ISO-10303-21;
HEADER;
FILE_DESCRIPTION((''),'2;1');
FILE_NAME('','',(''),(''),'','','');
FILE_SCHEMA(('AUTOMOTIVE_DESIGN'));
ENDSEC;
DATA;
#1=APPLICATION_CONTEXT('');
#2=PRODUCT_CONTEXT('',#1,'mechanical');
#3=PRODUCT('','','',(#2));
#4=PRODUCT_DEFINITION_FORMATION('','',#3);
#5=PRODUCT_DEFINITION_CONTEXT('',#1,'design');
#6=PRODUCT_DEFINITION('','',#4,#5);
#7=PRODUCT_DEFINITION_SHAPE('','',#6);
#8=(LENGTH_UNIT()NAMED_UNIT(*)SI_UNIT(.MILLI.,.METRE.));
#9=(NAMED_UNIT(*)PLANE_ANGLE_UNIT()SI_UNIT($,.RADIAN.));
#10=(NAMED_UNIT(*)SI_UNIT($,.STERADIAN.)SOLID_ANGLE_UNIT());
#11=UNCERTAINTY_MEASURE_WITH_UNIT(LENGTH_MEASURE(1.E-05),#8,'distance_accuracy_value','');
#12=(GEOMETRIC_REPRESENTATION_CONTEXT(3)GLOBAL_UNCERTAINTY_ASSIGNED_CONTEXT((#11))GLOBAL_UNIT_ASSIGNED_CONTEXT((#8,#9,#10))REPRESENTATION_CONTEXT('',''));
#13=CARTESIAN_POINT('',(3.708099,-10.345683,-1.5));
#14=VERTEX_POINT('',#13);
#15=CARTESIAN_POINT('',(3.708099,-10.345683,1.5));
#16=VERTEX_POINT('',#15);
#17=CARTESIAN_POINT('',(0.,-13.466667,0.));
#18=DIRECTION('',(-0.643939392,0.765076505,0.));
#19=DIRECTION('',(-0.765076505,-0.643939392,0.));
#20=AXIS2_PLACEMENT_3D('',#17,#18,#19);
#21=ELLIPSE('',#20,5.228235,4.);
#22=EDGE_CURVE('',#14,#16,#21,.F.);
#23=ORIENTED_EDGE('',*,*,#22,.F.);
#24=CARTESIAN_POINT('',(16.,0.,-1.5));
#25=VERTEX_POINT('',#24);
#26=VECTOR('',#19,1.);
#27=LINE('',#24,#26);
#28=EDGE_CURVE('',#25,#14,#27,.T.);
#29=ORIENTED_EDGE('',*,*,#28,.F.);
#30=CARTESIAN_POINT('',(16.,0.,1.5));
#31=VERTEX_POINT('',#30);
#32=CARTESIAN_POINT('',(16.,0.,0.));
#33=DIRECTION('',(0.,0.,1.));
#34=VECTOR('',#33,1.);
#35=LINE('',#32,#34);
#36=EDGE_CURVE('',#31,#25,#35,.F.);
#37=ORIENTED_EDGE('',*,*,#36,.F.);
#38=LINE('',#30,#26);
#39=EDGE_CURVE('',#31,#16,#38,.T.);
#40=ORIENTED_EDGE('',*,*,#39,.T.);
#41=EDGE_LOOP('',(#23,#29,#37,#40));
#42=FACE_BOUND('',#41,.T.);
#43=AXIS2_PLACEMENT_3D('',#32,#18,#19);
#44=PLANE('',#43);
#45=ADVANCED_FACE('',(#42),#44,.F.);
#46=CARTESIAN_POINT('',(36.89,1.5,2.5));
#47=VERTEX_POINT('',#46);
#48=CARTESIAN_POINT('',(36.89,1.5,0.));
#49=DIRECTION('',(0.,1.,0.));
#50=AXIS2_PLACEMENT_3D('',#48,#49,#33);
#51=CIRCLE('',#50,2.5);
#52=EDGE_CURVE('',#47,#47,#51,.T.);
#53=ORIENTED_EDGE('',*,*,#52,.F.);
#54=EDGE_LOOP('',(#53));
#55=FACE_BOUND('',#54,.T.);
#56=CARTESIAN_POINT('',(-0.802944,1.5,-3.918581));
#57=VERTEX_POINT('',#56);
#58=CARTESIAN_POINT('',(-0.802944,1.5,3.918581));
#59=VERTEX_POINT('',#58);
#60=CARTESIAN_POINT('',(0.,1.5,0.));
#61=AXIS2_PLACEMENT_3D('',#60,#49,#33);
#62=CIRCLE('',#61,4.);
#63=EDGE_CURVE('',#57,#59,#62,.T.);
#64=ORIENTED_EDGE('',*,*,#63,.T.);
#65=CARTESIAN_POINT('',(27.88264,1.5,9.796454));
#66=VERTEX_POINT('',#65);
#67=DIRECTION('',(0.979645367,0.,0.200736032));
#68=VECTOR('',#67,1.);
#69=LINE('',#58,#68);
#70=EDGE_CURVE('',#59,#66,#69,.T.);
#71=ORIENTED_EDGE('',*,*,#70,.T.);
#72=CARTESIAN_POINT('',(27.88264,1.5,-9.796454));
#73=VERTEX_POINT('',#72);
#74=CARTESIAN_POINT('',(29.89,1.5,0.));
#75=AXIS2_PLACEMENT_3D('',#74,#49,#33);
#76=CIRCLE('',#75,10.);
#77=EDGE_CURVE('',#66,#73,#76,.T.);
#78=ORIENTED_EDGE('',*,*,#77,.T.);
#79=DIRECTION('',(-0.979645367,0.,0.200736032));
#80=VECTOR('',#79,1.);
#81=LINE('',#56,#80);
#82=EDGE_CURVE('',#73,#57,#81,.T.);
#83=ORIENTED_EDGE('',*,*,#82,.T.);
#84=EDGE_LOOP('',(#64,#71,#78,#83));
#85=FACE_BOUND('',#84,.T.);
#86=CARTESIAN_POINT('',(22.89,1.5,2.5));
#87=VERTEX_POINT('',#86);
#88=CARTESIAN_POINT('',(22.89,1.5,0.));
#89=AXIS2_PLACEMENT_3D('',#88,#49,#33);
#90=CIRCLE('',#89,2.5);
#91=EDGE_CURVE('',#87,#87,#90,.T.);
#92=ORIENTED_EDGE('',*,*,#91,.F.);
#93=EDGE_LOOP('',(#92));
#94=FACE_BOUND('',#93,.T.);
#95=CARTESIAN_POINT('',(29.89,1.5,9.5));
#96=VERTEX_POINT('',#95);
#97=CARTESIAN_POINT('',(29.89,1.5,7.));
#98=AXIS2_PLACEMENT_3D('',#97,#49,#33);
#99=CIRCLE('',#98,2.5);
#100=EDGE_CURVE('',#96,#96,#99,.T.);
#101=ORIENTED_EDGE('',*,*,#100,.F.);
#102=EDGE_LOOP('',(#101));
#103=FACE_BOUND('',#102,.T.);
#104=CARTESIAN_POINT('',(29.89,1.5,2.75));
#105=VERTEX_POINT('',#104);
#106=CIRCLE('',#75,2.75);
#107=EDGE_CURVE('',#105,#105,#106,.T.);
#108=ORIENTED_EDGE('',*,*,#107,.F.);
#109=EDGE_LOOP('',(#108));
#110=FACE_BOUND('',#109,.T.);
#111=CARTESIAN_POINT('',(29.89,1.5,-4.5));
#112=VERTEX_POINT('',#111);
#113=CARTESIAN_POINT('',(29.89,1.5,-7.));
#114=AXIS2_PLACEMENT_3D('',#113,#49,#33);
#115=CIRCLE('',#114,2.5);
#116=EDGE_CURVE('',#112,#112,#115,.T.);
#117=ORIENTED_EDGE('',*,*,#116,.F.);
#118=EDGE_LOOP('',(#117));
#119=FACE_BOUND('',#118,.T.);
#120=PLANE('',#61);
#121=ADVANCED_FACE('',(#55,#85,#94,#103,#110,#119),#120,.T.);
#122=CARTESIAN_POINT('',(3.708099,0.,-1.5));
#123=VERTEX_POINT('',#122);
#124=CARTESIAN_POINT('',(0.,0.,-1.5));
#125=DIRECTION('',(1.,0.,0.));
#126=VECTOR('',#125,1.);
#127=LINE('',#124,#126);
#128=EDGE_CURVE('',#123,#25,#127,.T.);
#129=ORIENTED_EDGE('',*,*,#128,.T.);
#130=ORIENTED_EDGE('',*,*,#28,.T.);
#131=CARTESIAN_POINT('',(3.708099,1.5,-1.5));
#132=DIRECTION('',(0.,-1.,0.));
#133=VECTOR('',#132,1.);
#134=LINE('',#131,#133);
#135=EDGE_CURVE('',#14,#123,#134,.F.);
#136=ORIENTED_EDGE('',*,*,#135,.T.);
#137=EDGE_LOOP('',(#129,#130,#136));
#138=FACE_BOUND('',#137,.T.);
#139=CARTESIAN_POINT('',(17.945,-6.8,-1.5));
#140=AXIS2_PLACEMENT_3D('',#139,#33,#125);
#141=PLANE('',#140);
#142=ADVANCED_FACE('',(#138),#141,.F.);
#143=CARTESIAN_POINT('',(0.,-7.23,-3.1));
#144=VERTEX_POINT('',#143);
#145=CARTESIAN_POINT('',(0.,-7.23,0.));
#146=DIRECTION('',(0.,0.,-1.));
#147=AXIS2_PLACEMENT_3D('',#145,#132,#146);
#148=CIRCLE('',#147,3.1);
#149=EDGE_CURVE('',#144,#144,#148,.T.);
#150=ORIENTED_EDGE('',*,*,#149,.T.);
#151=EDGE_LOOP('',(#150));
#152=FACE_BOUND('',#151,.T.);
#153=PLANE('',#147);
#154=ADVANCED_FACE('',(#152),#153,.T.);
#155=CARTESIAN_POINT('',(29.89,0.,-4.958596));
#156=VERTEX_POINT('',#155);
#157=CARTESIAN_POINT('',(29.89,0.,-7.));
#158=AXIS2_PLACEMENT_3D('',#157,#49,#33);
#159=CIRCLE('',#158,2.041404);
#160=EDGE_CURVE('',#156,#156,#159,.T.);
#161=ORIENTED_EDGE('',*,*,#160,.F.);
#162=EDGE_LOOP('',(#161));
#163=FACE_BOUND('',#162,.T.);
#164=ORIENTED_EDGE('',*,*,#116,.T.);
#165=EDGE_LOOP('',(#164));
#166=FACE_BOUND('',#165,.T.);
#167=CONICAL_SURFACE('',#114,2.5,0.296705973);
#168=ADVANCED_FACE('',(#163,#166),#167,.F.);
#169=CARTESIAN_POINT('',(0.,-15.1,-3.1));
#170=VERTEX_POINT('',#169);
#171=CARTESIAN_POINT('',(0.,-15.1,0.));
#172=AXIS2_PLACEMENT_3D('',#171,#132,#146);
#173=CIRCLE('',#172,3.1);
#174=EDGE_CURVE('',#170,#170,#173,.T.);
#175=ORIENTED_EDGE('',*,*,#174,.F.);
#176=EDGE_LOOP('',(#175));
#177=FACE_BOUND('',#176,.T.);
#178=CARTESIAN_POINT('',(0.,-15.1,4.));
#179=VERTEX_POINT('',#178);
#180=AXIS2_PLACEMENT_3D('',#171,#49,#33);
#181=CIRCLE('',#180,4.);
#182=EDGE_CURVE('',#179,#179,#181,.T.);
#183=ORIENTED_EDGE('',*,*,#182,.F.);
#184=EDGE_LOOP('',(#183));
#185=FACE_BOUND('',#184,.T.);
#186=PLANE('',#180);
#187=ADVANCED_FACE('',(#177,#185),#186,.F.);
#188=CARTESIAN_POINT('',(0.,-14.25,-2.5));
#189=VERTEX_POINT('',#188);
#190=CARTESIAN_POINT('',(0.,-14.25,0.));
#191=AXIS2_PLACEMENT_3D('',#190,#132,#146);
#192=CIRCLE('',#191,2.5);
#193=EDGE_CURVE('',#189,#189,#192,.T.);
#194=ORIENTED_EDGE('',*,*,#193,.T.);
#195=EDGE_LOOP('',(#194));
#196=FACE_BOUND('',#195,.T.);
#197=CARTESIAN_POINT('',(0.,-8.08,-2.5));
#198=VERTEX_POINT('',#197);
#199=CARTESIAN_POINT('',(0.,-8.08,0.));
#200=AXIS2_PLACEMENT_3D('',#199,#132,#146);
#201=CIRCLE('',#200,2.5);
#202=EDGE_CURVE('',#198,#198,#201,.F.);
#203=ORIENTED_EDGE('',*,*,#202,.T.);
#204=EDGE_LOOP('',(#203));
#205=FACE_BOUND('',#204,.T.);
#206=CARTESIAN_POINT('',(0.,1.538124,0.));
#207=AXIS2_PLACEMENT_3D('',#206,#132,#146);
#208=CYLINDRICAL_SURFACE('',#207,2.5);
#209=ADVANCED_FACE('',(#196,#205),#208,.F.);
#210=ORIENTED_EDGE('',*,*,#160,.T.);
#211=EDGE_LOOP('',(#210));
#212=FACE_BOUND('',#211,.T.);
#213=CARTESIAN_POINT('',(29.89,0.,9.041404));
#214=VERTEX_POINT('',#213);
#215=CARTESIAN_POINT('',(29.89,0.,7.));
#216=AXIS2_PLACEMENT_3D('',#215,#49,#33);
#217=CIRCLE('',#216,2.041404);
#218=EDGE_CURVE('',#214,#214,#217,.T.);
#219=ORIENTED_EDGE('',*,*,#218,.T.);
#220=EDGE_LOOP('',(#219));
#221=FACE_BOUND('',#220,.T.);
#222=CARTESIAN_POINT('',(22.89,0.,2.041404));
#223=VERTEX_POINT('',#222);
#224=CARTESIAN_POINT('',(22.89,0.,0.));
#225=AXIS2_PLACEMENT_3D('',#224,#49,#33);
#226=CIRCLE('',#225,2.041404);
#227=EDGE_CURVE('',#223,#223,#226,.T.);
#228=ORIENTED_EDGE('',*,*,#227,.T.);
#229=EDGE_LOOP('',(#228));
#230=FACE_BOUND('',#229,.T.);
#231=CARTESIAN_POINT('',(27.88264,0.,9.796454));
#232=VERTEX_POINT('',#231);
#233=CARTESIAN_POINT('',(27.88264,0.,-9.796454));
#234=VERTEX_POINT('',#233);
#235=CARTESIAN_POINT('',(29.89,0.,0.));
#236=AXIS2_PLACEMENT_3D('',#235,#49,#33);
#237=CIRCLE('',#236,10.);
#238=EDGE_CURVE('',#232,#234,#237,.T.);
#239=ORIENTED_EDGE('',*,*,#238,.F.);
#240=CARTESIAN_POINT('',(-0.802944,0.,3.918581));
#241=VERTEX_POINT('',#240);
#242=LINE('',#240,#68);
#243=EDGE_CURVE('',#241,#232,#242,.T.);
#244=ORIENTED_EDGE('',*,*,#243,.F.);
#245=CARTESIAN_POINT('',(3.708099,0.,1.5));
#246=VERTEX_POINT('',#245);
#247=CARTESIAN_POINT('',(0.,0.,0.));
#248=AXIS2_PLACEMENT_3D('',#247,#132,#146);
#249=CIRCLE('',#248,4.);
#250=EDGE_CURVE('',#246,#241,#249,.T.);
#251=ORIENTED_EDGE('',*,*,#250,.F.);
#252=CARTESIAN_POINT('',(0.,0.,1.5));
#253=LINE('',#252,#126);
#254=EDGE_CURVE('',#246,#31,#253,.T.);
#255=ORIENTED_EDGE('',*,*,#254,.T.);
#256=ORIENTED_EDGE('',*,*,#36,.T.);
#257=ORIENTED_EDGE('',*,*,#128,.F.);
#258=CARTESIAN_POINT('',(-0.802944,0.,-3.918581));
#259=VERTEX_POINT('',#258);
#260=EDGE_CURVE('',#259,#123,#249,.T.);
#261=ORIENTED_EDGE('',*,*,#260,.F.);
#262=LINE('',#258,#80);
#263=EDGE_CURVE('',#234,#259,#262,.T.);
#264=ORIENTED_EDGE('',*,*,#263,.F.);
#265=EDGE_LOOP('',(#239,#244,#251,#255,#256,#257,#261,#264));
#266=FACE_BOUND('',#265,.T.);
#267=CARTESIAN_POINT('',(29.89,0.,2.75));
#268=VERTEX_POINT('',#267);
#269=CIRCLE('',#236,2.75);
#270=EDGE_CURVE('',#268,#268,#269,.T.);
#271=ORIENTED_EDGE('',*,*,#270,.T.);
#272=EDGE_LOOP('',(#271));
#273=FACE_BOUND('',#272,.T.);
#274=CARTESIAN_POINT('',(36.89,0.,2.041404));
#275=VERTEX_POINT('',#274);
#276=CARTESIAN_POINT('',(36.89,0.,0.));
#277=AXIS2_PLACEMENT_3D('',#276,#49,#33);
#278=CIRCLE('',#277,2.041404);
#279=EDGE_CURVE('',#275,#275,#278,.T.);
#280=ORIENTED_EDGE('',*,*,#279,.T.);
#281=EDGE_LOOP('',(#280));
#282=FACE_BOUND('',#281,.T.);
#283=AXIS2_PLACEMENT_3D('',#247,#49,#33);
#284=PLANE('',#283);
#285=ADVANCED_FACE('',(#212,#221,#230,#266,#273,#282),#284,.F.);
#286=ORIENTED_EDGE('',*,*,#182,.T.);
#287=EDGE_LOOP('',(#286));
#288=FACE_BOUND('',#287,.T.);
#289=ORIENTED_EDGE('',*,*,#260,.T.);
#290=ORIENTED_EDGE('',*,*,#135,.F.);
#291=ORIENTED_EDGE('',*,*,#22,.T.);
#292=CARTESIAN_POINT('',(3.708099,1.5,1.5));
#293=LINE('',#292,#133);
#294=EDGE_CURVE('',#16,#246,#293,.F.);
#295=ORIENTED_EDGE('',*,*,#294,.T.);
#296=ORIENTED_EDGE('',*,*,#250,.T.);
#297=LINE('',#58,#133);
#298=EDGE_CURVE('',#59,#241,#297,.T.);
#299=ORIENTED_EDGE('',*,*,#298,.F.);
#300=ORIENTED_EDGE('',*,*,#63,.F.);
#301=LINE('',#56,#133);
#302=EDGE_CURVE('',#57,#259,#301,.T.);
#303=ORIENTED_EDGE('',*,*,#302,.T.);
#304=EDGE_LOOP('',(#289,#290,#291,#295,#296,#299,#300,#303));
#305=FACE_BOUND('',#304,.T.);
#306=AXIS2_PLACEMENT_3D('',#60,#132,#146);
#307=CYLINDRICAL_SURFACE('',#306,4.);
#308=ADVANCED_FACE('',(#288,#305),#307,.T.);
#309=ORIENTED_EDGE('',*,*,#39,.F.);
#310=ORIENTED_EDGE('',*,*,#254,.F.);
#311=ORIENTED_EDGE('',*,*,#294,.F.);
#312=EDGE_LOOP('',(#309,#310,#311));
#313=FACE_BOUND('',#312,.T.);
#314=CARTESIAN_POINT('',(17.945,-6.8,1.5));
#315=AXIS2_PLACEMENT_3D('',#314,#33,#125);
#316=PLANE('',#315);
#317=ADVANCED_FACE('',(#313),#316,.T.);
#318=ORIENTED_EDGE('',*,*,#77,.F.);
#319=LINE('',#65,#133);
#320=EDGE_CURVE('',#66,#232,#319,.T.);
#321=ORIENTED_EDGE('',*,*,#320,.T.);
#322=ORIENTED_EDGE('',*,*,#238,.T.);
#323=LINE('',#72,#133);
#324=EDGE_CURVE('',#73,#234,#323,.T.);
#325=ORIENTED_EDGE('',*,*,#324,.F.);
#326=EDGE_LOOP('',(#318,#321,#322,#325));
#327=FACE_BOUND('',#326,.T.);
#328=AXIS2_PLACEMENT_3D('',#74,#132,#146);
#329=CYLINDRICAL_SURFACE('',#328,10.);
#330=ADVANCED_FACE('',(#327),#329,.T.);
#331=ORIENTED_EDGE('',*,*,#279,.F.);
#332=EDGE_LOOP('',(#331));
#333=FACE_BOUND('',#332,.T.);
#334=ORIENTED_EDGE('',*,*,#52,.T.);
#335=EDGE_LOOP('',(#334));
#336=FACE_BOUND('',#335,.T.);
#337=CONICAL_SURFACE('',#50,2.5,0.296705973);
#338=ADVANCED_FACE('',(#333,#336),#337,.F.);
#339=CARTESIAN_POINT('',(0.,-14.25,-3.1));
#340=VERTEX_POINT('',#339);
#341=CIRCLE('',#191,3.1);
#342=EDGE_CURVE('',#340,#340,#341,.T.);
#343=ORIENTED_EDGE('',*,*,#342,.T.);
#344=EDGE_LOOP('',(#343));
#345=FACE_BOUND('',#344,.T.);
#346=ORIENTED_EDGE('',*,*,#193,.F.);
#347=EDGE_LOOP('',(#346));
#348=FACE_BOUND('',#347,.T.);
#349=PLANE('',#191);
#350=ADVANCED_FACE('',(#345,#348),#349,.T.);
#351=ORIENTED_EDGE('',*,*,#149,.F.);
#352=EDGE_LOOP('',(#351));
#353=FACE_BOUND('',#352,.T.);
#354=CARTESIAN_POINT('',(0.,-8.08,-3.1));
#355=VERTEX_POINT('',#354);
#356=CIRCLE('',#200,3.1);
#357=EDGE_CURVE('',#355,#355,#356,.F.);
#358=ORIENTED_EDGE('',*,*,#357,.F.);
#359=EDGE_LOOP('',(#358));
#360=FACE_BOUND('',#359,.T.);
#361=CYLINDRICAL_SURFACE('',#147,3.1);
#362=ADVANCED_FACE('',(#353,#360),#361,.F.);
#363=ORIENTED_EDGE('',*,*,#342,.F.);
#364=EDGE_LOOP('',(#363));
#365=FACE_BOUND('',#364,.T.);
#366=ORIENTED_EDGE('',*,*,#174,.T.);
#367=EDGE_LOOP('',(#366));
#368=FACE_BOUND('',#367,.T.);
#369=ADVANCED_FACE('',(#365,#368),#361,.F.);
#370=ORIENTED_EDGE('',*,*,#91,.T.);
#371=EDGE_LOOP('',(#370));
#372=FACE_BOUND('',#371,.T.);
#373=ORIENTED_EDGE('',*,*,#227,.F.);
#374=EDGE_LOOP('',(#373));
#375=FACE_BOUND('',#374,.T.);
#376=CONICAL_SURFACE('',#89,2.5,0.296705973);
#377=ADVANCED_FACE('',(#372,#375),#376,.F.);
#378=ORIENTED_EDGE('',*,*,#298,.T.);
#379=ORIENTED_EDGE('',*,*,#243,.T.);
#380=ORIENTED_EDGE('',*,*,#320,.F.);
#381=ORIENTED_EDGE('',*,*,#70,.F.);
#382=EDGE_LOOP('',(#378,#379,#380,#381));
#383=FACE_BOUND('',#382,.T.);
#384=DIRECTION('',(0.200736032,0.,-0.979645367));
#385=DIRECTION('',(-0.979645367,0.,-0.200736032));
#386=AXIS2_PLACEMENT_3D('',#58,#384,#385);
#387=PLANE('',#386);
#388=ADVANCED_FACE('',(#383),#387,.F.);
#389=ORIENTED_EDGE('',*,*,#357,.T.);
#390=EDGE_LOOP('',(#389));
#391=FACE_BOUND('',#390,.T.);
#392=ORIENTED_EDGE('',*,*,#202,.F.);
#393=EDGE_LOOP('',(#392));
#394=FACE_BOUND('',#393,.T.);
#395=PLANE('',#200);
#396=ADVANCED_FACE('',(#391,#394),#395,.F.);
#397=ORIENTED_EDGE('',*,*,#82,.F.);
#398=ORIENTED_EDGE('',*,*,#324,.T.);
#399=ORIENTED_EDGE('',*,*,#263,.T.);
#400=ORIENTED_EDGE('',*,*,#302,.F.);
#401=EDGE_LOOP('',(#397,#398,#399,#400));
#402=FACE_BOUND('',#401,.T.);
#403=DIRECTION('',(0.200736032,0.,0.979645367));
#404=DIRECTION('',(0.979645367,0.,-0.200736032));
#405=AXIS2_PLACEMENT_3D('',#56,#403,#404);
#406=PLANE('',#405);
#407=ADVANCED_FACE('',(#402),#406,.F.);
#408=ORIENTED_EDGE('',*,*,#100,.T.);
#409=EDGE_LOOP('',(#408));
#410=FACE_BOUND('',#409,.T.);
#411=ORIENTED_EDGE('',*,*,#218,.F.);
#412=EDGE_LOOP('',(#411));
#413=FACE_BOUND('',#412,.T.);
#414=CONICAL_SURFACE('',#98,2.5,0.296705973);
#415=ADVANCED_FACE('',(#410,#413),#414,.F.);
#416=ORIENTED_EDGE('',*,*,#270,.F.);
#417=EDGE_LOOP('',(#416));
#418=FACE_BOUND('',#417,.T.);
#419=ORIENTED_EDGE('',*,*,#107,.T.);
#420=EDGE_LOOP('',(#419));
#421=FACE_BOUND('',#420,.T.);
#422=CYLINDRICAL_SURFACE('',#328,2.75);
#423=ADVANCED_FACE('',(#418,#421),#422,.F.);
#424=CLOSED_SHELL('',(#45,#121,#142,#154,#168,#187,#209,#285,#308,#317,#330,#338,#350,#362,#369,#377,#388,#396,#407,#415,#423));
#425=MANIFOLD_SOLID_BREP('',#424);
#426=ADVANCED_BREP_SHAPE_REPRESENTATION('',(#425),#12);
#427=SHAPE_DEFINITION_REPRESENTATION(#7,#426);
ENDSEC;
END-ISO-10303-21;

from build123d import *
from build123d.topology import SkipClean

# Parameters (mm, degrees)
CROQUIS1_R                      = 1.6
CROQUIS1_R_2                    = 2.75
SALIENTE_EXTRUIR1_DEPTH         = 1.5
SALIENTE_EXTRUIR3_START         = 15.1
CROQUIS3_R                      = 4
SALIENTE_EXTRUIR3_DEPTH         = 15.1
CROQUIS4_R                      = 3.1
CORTAR_EXTRUIR1_DEPTH           = 7.87
SALIENTE_EXTRUIR4_START         = -0.85
CROQUIS4_3_R                    = 3.1
CROQUIS4_3_R_2                  = 2.5
SALIENTE_EXTRUIR4_DEPTH         = 6.17
CROQUIS5_R                      = 2.5
CORTAR_EXTRUIR3_DEPTH           = 1.5
CORTAR_EXTRUIR3_DRAFT           = -17
CORTAR_EXTRUIR3_PROFILE_2_DEPTH = 1.5
CORTAR_EXTRUIR3_PROFILE_2_DRAFT = -17
CORTAR_EXTRUIR3_PROFILE_3_DEPTH = 1.5
CORTAR_EXTRUIR3_PROFILE_3_DRAFT = -17
CORTAR_EXTRUIR3_PROFILE_4_DEPTH = 1.5
CORTAR_EXTRUIR3_PROFILE_4_DRAFT = -17
NERVIO1_REACH                   = 45.809
CROQUIS6_WALL_W                 = 105.302560272
CROQUIS6_WALL_H                 = 3


with BuildPart() as part:
    # Croquis1 → Saliente-Extruir1 (new body)
    with BuildSketch(Plane(origin=(0, 0, 0), x_dir=(1, 0, 0), z_dir=(0, 1, 0))):
        with BuildLine():
            Line((-0.802944128, 3.918581469), (27.882639679, 9.796453672))
            ThreePointArc((27.882639679, 9.796453672), (39.89, 0), (27.882639679, -9.796453672))
            Line((27.882639679, -9.796453672), (-0.802944128, -3.918581469))
            ThreePointArc((-0.802944128, -3.918581469), (-4, 0), (-0.802944128, 3.918581469))
        make_face()
        with Locations(Location((29.89, 7, 0), (0, 0, 270))):
            Circle(CROQUIS1_R, mode=Mode.SUBTRACT)
        with Locations(Location((36.89, 0, 0), (0, 0, 270))):
            Circle(CROQUIS1_R, mode=Mode.SUBTRACT)
        with Locations(Location((29.89, -7, 0), (0, 0, 270))):
            Circle(CROQUIS1_R, mode=Mode.SUBTRACT)
        with Locations(Location((22.89, 0, 0), (0, 0, 270))):
            Circle(CROQUIS1_R, mode=Mode.SUBTRACT)
        with Locations(Location((29.89, 0, 0), (0, 0, 270))):
            Circle(CROQUIS1_R_2, mode=Mode.SUBTRACT)
    extrude(amount=SALIENTE_EXTRUIR1_DEPTH)

    # Croquis3 → Saliente-Extruir3 (add)
    with SkipClean():  # the faces are left unmerged after this step: merging them gives an invalid solid
        with BuildSketch(Plane.XZ.offset(SALIENTE_EXTRUIR3_START)):
            with Locations(Location((0, 0, 0), (0, 0, 258.419996521))):
                Circle(CROQUIS3_R)
        extrude(amount=-SALIENTE_EXTRUIR3_DEPTH)

    # Croquis4 → Cortar-Extruir1 (cut)
    with SkipClean():  # the faces are left unmerged after this step: merging them gives an invalid solid
        with BuildSketch(Plane.XZ.offset(15.1)):
            with Locations(Location((0, 0, 0), (0, 0, 270))):
                Circle(CROQUIS4_R)
        extrude(amount=-CORTAR_EXTRUIR1_DEPTH, mode=Mode.SUBTRACT)

    # Croquis4<3> → Saliente-Extruir4 (add)
    with SkipClean():  # the faces are left unmerged after this step: merging them gives an invalid solid
        with BuildSketch(Plane.XZ.offset(15.1).offset(SALIENTE_EXTRUIR4_START)):
            with Locations(Location((0, 0, 0), (0, 0, 270))):
                Circle(CROQUIS4_3_R)
            with Locations(Location((0, 0, 0), (0, 0, 270))):
                Circle(CROQUIS4_3_R_2, mode=Mode.SUBTRACT)
        extrude(amount=-SALIENTE_EXTRUIR4_DEPTH)


with BuildPart() as cortar_extruir3_tool:
    # Croquis5 → Cortar-Extruir3 (with draft: the straight prism first)
    with BuildSketch(Plane(origin=(0, 1.5, 0), x_dir=(1, 0, 0), z_dir=(0, 1, 0))):
        with Locations((29.89, 7)):
            Circle(CROQUIS5_R)
    extrude(amount=-CORTAR_EXTRUIR3_DEPTH)
    # Cortar-Extruir3: the draft: its side faces are tilted about the plane it starts from
    cortar_extruir3_sides = [cortar_extruir3_tool.faces().sort_by_distance(p)[0] for p in [
        (27.39, 0.75, -7),
    ]]
    draft(cortar_extruir3_sides, Plane(origin=(0, 1.5, 0), x_dir=(1, 0, 0), z_dir=(0, 1, 0)), CORTAR_EXTRUIR3_DRAFT)


with BuildPart() as part_1:
    add(part.part)

    # Cortar-Extruir3: cut by cortar_extruir3_tool
    add(cortar_extruir3_tool.part, mode=Mode.SUBTRACT)


with BuildPart() as cortar_extruir3_profile_2_tool:
    # Croquis5 → Cortar-Extruir3 profile 2 (with draft: the straight prism first)
    with BuildSketch(Plane(origin=(0, 1.5, 0), x_dir=(1, 0, 0), z_dir=(0, 1, 0))):
        with Locations((36.89, 0)):
            Circle(CROQUIS5_R)
    extrude(amount=-CORTAR_EXTRUIR3_PROFILE_2_DEPTH)
    # Cortar-Extruir3 profile 2: the draft: its side faces are tilted about the plane it starts from
    cortar_extruir3_profile_2_sides = [cortar_extruir3_profile_2_tool.faces().sort_by_distance(p)[0] for p in [
        (34.39, 0.75, 0),
    ]]
    draft(cortar_extruir3_profile_2_sides, Plane(origin=(0, 1.5, 0), x_dir=(1, 0, 0), z_dir=(0, 1, 0)), CORTAR_EXTRUIR3_PROFILE_2_DRAFT)


with BuildPart() as part_2:
    add(part_1.part)

    # Cortar-Extruir3 profile 2: cut by cortar_extruir3_profile_2_tool
    add(cortar_extruir3_profile_2_tool.part, mode=Mode.SUBTRACT)


with BuildPart() as cortar_extruir3_profile_3_tool:
    # Croquis5 → Cortar-Extruir3 profile 3 (with draft: the straight prism first)
    with BuildSketch(Plane(origin=(0, 1.5, 0), x_dir=(1, 0, 0), z_dir=(0, 1, 0))):
        with Locations((29.89, -7)):
            Circle(CROQUIS5_R)
    extrude(amount=-CORTAR_EXTRUIR3_PROFILE_3_DEPTH)
    # Cortar-Extruir3 profile 3: the draft: its side faces are tilted about the plane it starts from
    cortar_extruir3_profile_3_sides = [cortar_extruir3_profile_3_tool.faces().sort_by_distance(p)[0] for p in [
        (27.39, 0.75, 7),
    ]]
    draft(cortar_extruir3_profile_3_sides, Plane(origin=(0, 1.5, 0), x_dir=(1, 0, 0), z_dir=(0, 1, 0)), CORTAR_EXTRUIR3_PROFILE_3_DRAFT)


with BuildPart() as part_3:
    add(part_2.part)

    # Cortar-Extruir3 profile 3: cut by cortar_extruir3_profile_3_tool
    add(cortar_extruir3_profile_3_tool.part, mode=Mode.SUBTRACT)


with BuildPart() as cortar_extruir3_profile_4_tool:
    # Croquis5 → Cortar-Extruir3 profile 4 (with draft: the straight prism first)
    with BuildSketch(Plane(origin=(0, 1.5, 0), x_dir=(1, 0, 0), z_dir=(0, 1, 0))):
        with Locations((22.89, 0)):
            Circle(CROQUIS5_R)
    extrude(amount=-CORTAR_EXTRUIR3_PROFILE_4_DEPTH)
    # Cortar-Extruir3 profile 4: the draft: its side faces are tilted about the plane it starts from
    cortar_extruir3_profile_4_sides = [cortar_extruir3_profile_4_tool.faces().sort_by_distance(p)[0] for p in [
        (20.39, 0.75, 0),
    ]]
    draft(cortar_extruir3_profile_4_sides, Plane(origin=(0, 1.5, 0), x_dir=(1, 0, 0), z_dir=(0, 1, 0)), CORTAR_EXTRUIR3_PROFILE_4_DRAFT)


with BuildPart() as part_4:
    add(part_3.part)

    # Cortar-Extruir3 profile 4: cut by cortar_extruir3_profile_4_tool
    add(cortar_extruir3_profile_4_tool.part, mode=Mode.SUBTRACT)

    # Croquis6 wall → Nervio1 (add, up to next)
    with BuildSketch(Plane(origin=(10, -5.05, 0), x_dir=(-0.765076505499, -0.643939392128, 0), z_dir=(0.643939392128, -0.765076505499, 0)), mode=Mode.PRIVATE) as nervio1_sk1:
        Rectangle(CROQUIS6_WALL_W, CROQUIS6_WALL_H)
    nervio1_tool1 = extrude(nervio1_sk1.sketch, amount=-NERVIO1_REACH, mode=Mode.PRIVATE) - part_4.part
    add(nervio1_tool1.solids().sort_by_distance((10, -5.05, 0))[0])


solid = part_4.part
